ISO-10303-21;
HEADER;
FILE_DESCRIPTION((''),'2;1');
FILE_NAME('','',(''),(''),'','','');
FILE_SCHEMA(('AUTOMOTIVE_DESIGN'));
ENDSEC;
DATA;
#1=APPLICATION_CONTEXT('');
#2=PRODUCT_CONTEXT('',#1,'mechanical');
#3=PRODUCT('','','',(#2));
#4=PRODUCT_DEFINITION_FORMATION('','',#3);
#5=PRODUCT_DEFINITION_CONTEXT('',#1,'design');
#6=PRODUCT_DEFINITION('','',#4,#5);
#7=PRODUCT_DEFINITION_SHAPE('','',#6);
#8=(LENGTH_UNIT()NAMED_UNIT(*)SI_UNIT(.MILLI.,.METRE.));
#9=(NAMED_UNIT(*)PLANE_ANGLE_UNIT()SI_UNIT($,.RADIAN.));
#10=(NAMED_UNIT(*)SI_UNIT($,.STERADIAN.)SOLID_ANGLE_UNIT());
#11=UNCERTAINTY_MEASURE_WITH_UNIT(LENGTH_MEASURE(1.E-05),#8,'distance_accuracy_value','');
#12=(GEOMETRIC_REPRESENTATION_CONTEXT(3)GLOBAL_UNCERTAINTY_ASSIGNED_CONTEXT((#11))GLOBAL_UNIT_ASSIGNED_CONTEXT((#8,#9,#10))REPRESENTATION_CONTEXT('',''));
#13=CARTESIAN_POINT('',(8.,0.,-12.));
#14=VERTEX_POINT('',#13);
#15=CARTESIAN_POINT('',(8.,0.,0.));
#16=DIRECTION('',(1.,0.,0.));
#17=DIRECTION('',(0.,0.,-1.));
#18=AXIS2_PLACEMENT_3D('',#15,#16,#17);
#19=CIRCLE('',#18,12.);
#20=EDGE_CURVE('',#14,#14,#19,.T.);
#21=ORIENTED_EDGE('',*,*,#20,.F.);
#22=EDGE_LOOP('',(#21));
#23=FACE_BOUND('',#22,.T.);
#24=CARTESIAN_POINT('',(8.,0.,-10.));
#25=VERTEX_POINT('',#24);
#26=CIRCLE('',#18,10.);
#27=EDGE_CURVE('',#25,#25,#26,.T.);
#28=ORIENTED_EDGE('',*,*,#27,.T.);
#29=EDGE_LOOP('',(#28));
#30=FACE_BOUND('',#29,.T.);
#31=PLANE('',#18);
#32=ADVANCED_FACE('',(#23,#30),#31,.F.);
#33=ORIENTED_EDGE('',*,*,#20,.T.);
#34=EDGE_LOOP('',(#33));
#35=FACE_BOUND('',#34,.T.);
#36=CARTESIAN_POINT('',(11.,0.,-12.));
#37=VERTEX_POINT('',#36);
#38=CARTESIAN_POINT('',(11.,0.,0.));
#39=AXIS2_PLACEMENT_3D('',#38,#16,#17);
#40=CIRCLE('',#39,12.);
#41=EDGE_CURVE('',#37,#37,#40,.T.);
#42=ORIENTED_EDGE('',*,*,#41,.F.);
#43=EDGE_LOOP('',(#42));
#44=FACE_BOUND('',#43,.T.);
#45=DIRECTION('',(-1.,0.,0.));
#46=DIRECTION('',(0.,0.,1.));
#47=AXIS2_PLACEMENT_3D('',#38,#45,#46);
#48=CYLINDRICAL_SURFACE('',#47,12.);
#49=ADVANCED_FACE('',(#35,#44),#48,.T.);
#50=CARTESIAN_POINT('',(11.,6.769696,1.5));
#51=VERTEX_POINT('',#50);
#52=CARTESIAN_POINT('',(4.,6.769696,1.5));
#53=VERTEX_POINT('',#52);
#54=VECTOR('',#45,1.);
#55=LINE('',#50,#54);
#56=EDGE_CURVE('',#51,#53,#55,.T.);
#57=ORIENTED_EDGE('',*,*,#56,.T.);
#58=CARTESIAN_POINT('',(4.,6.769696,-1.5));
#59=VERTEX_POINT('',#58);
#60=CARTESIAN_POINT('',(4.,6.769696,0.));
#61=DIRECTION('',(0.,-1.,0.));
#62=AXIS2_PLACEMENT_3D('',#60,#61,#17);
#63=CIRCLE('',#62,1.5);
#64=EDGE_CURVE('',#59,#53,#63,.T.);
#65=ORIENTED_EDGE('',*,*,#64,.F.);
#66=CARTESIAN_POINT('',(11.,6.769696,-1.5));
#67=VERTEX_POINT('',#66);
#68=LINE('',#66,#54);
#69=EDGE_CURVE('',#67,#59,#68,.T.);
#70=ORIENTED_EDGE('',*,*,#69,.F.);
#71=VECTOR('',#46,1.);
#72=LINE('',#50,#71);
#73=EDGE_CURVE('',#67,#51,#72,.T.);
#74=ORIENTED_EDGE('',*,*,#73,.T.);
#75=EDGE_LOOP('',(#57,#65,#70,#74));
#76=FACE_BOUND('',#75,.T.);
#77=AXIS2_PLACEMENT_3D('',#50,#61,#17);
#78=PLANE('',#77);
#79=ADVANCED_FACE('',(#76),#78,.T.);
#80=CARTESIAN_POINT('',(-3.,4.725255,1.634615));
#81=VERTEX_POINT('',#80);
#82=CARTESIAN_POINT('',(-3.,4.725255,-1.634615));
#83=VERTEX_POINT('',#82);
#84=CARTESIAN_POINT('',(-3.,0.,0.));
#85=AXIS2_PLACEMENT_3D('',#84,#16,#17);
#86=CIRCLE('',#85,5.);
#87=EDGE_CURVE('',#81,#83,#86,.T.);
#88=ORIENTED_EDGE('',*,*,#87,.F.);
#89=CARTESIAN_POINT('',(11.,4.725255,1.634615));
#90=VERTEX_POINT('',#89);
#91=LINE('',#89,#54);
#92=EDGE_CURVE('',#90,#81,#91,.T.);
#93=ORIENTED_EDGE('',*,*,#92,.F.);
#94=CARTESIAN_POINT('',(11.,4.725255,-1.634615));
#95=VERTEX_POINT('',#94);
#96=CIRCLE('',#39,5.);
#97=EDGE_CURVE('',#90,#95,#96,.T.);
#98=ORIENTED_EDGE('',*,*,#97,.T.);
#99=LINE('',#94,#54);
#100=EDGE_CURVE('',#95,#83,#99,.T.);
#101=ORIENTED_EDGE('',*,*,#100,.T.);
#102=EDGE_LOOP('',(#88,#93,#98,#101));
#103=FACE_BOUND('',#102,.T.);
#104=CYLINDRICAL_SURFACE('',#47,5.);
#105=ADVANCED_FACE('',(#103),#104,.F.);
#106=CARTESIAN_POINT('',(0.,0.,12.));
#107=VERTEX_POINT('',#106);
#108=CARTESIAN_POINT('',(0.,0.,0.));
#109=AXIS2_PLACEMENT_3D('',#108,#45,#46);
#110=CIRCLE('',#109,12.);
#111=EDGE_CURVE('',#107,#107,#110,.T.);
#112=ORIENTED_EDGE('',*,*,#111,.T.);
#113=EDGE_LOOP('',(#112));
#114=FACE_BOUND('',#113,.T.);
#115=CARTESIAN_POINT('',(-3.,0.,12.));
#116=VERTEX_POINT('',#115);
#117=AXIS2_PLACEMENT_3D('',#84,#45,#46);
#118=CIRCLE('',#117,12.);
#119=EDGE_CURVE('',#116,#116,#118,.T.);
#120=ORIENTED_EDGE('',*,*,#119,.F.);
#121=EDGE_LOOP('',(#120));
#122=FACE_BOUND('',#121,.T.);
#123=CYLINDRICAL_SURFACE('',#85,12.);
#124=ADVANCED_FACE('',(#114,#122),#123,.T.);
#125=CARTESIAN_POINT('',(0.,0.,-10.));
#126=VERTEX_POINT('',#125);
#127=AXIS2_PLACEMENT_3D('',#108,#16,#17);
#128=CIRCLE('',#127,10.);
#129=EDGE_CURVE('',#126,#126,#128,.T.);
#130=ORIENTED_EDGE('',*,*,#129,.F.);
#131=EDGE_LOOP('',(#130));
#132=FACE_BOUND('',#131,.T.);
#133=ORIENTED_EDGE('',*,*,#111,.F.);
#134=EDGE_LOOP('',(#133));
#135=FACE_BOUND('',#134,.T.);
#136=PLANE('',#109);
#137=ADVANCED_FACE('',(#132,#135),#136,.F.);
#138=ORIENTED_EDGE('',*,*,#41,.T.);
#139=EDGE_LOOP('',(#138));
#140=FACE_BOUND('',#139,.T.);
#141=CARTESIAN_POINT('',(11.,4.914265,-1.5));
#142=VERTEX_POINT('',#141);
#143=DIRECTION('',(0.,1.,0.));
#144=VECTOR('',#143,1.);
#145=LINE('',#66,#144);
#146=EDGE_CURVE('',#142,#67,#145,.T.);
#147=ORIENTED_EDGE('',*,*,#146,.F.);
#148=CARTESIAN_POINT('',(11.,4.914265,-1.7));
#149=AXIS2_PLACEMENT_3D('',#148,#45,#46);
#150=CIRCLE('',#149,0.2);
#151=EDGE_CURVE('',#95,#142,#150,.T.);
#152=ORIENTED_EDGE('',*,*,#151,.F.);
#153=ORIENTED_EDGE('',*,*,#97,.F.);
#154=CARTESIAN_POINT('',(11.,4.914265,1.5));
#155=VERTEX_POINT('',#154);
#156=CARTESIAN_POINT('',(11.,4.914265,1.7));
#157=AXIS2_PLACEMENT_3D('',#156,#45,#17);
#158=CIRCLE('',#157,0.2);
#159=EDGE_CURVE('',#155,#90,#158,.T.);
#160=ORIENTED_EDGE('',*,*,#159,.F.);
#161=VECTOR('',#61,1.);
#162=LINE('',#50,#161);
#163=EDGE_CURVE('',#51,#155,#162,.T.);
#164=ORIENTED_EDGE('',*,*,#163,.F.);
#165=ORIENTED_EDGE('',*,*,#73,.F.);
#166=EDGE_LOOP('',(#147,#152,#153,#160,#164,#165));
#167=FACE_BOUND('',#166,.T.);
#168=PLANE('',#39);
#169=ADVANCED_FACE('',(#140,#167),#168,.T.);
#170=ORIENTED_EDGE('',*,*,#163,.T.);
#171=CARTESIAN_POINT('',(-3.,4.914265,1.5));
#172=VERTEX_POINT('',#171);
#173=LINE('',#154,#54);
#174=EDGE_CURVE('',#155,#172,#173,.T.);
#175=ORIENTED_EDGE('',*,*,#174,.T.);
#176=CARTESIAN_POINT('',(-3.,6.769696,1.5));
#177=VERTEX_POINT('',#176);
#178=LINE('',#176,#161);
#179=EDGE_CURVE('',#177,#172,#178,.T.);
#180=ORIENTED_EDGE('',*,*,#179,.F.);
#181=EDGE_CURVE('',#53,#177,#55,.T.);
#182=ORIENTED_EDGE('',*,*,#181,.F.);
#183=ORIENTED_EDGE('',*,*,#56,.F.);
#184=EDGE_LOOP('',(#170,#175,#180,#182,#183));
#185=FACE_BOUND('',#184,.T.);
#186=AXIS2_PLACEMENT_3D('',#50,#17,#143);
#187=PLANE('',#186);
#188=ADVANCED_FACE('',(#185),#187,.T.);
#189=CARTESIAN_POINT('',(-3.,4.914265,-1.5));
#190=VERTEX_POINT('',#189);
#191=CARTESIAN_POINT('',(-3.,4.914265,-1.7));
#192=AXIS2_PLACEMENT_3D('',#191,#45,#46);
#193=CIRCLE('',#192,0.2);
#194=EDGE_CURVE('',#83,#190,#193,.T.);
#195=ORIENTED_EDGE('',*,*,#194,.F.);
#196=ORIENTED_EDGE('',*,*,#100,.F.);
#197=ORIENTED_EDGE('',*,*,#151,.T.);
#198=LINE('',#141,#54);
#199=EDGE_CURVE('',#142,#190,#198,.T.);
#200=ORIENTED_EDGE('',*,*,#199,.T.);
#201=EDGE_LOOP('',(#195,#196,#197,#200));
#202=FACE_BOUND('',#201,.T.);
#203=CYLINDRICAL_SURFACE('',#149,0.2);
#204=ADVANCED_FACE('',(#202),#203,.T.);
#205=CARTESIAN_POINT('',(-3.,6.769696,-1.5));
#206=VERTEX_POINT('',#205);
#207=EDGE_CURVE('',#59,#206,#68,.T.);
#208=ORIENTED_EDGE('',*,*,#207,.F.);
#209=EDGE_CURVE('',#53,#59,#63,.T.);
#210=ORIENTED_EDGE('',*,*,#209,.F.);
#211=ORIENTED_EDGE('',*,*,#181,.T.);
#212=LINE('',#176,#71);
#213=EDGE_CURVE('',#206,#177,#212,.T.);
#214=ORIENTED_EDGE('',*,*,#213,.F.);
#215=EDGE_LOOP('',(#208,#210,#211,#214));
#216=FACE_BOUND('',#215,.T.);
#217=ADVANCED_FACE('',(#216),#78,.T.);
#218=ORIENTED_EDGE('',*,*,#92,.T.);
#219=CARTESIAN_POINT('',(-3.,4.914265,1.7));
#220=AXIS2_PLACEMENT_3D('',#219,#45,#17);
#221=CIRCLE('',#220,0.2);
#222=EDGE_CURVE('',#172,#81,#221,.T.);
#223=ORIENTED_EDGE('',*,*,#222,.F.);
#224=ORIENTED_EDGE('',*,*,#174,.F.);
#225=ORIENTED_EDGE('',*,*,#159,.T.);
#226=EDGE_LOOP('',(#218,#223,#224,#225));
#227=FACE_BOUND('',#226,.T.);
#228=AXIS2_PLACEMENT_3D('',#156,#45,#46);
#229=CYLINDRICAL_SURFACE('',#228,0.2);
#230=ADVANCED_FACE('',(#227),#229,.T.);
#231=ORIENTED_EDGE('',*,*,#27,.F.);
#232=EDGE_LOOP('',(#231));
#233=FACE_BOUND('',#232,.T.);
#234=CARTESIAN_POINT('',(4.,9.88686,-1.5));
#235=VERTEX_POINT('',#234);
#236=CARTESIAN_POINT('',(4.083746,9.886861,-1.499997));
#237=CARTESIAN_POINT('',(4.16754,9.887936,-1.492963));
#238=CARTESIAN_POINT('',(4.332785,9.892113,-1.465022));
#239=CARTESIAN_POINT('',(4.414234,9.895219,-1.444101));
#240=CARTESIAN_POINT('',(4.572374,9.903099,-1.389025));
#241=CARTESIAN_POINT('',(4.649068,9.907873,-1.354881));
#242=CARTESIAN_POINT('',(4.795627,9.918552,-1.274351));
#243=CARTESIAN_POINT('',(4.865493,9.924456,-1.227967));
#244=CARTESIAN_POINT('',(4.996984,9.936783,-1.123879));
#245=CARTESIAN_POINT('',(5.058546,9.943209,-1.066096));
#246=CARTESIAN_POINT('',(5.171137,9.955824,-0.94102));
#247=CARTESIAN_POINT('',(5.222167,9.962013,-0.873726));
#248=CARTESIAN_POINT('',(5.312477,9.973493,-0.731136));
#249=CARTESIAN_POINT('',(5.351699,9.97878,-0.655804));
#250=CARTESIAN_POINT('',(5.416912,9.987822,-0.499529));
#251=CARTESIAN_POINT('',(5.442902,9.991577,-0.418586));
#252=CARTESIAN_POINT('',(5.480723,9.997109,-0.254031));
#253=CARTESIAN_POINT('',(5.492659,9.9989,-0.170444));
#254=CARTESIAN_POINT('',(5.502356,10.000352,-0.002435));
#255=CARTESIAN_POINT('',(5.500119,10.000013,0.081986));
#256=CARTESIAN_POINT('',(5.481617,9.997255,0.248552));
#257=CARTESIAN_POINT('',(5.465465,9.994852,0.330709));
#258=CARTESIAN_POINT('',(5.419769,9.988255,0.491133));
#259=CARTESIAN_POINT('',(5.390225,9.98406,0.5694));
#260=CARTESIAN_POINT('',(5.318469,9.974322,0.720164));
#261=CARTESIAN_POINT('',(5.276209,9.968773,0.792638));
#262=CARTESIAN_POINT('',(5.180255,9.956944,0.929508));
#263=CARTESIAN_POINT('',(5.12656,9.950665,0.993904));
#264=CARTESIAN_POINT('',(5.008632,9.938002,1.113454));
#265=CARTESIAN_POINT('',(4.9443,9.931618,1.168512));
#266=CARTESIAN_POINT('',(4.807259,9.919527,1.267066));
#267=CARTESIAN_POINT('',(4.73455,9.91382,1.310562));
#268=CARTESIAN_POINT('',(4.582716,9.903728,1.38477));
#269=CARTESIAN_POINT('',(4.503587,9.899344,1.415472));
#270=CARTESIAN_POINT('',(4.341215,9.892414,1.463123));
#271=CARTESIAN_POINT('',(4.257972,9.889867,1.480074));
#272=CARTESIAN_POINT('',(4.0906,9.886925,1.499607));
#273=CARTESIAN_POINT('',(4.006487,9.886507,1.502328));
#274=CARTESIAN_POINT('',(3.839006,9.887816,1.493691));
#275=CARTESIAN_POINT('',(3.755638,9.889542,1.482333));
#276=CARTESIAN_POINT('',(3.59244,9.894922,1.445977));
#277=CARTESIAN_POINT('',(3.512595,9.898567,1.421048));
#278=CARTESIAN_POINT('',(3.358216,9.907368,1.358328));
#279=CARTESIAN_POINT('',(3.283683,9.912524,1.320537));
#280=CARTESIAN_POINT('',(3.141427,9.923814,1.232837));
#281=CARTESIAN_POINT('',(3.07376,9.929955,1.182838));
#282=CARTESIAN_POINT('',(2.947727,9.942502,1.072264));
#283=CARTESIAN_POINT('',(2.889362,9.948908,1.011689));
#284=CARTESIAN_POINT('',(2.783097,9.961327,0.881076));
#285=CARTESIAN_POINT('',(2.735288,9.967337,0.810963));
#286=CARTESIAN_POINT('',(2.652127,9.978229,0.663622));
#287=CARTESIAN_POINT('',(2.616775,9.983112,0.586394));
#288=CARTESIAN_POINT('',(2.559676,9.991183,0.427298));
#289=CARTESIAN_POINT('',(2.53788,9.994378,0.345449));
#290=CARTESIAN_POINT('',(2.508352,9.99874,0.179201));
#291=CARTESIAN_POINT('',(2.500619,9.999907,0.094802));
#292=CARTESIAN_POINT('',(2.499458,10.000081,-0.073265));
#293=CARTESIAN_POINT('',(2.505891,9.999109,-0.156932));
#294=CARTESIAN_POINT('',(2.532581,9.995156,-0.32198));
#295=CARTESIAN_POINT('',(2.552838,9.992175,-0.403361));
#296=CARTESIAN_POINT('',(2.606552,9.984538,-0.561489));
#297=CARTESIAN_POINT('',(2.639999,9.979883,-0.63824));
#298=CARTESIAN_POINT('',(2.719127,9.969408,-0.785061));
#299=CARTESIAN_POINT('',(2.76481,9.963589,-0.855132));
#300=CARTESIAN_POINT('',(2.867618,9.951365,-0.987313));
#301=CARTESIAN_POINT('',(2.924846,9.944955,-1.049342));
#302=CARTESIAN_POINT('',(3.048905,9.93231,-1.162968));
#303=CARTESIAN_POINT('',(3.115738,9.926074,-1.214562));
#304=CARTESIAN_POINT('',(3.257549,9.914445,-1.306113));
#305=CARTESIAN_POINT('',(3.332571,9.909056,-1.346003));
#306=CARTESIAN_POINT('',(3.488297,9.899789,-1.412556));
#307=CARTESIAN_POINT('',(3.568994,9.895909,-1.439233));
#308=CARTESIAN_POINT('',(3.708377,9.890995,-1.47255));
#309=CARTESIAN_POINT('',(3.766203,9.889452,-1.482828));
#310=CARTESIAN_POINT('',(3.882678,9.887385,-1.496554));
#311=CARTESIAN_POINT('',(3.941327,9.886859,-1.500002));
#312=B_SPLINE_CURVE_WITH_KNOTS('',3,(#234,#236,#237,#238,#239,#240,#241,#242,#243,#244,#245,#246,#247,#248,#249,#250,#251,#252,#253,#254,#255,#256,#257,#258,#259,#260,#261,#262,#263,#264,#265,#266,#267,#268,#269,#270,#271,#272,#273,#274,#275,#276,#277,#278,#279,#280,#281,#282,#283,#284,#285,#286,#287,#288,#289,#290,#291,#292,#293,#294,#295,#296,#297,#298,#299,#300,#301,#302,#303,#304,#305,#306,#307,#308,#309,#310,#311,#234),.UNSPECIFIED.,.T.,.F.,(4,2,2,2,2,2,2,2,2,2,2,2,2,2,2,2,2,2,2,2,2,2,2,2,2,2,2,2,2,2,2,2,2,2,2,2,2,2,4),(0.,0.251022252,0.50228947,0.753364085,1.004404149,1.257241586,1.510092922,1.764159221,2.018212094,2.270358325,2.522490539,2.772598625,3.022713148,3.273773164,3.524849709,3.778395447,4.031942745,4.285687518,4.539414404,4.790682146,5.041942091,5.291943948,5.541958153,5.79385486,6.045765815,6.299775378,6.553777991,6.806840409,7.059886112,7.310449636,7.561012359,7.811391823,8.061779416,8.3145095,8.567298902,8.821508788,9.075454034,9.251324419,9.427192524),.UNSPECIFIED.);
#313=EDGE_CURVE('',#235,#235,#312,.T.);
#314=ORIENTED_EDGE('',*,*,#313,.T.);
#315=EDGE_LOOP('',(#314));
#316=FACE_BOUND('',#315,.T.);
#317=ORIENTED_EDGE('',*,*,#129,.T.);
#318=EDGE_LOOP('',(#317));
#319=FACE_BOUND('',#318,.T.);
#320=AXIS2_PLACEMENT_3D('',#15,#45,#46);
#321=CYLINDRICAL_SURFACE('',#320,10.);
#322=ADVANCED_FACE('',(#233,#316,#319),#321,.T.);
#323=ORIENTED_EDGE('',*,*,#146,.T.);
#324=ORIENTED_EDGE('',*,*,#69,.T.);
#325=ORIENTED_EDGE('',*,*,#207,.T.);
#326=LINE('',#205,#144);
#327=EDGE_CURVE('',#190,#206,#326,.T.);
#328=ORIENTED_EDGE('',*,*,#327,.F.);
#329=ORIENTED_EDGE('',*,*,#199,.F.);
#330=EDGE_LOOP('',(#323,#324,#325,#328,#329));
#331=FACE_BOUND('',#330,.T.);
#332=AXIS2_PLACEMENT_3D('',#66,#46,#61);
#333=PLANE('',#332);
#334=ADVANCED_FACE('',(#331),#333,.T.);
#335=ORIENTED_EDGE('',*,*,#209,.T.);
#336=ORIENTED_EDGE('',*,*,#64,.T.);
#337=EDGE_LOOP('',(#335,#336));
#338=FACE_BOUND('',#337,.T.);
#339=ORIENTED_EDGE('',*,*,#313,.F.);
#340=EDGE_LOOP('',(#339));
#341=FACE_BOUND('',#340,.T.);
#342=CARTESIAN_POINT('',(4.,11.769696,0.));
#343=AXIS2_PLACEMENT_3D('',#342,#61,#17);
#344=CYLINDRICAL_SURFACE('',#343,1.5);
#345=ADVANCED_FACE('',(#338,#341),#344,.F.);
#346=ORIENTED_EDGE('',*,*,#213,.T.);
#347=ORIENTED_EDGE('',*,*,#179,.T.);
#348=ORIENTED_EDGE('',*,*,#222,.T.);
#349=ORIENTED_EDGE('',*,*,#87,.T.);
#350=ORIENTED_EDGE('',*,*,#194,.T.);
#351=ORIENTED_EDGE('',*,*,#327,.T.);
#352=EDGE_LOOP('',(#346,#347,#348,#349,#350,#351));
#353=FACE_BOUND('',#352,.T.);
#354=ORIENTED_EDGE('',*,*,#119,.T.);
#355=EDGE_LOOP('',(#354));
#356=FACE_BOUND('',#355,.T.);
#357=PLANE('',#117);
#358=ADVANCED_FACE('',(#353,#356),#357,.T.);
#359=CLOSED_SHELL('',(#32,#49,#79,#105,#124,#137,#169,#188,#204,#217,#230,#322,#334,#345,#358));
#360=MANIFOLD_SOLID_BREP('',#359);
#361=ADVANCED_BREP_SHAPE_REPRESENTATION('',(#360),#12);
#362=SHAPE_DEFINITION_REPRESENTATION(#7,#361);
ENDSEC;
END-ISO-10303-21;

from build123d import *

# Parameters (mm, degrees)
SKETCH1_R               = 10
BOSS_EXTRUDE1_DEPTH     = 8
SKETCH3_R               = 12
BOSS_EXTRUDE2_DEPTH     = 3
SKETCH4_R               = 12
BOSS_EXTRUDE3_DEPTH     = 3
CUT_EXTRUDE2_DEPTH      = 3
CUT_EXTRUDE2_DEPTH_BACK = 11
SKETCH6_R               = 1.5
CUT_EXTRUDE3_DEPTH      = 5


with BuildPart() as part:
    # Sketch1 → Boss-Extrude1 (new body)
    with BuildSketch(Plane(origin=(0, 0, 0), x_dir=(0, 0, -1), z_dir=(1, 0, 0))):
        Circle(SKETCH1_R)
    extrude(amount=BOSS_EXTRUDE1_DEPTH)

    # Sketch3 → Boss-Extrude2 (add)
    with BuildSketch(Plane(origin=(8, 0, 0), x_dir=(0, 0, -1), z_dir=(1, 0, 0))):
        Circle(SKETCH3_R)
    extrude(amount=BOSS_EXTRUDE2_DEPTH)

    # Sketch4 → Boss-Extrude3 (add)
    with BuildSketch(Plane.ZY):
        Circle(SKETCH4_R)
    extrude(amount=BOSS_EXTRUDE3_DEPTH)

    # Sketch2 → Cut-Extrude2 (cut, two sides)
    with BuildSketch(Plane(origin=(8, 0, 0), x_dir=(0, 0, -1), z_dir=(1, 0, 0))) as cut_extrude2_sk:
        with BuildLine():
            Line((-1.5, 6.769696007), (1.5, 6.769696007))
            Line((1.5, 6.769696007), (1.5, 4.91426495))
            ThreePointArc((1.5, 4.91426495), (1.537093703, 4.79824108), (1.634615385, 4.72525476))
            ThreePointArc((1.634615385, 4.72525476), (0, -5), (-1.634615385, 4.72525476))
            ThreePointArc((-1.634615385, 4.72525476), (-1.537093703, 4.79824108), (-1.5, 4.91426495))
            Line((-1.5, 4.91426495), (-1.5, 6.769696007))
        make_face()
    extrude(amount=CUT_EXTRUDE2_DEPTH, mode=Mode.SUBTRACT)
    extrude(cut_extrude2_sk.sketch, amount=-CUT_EXTRUDE2_DEPTH_BACK, mode=Mode.SUBTRACT)

    # Sketch6 → Cut-Extrude3 (cut)
    with BuildSketch(Plane.XZ.offset(-6.769696007)):
        with Locations((4, 0)):
            Circle(SKETCH6_R)
    extrude(amount=-CUT_EXTRUDE3_DEPTH, mode=Mode.SUBTRACT)


solid = part.part
